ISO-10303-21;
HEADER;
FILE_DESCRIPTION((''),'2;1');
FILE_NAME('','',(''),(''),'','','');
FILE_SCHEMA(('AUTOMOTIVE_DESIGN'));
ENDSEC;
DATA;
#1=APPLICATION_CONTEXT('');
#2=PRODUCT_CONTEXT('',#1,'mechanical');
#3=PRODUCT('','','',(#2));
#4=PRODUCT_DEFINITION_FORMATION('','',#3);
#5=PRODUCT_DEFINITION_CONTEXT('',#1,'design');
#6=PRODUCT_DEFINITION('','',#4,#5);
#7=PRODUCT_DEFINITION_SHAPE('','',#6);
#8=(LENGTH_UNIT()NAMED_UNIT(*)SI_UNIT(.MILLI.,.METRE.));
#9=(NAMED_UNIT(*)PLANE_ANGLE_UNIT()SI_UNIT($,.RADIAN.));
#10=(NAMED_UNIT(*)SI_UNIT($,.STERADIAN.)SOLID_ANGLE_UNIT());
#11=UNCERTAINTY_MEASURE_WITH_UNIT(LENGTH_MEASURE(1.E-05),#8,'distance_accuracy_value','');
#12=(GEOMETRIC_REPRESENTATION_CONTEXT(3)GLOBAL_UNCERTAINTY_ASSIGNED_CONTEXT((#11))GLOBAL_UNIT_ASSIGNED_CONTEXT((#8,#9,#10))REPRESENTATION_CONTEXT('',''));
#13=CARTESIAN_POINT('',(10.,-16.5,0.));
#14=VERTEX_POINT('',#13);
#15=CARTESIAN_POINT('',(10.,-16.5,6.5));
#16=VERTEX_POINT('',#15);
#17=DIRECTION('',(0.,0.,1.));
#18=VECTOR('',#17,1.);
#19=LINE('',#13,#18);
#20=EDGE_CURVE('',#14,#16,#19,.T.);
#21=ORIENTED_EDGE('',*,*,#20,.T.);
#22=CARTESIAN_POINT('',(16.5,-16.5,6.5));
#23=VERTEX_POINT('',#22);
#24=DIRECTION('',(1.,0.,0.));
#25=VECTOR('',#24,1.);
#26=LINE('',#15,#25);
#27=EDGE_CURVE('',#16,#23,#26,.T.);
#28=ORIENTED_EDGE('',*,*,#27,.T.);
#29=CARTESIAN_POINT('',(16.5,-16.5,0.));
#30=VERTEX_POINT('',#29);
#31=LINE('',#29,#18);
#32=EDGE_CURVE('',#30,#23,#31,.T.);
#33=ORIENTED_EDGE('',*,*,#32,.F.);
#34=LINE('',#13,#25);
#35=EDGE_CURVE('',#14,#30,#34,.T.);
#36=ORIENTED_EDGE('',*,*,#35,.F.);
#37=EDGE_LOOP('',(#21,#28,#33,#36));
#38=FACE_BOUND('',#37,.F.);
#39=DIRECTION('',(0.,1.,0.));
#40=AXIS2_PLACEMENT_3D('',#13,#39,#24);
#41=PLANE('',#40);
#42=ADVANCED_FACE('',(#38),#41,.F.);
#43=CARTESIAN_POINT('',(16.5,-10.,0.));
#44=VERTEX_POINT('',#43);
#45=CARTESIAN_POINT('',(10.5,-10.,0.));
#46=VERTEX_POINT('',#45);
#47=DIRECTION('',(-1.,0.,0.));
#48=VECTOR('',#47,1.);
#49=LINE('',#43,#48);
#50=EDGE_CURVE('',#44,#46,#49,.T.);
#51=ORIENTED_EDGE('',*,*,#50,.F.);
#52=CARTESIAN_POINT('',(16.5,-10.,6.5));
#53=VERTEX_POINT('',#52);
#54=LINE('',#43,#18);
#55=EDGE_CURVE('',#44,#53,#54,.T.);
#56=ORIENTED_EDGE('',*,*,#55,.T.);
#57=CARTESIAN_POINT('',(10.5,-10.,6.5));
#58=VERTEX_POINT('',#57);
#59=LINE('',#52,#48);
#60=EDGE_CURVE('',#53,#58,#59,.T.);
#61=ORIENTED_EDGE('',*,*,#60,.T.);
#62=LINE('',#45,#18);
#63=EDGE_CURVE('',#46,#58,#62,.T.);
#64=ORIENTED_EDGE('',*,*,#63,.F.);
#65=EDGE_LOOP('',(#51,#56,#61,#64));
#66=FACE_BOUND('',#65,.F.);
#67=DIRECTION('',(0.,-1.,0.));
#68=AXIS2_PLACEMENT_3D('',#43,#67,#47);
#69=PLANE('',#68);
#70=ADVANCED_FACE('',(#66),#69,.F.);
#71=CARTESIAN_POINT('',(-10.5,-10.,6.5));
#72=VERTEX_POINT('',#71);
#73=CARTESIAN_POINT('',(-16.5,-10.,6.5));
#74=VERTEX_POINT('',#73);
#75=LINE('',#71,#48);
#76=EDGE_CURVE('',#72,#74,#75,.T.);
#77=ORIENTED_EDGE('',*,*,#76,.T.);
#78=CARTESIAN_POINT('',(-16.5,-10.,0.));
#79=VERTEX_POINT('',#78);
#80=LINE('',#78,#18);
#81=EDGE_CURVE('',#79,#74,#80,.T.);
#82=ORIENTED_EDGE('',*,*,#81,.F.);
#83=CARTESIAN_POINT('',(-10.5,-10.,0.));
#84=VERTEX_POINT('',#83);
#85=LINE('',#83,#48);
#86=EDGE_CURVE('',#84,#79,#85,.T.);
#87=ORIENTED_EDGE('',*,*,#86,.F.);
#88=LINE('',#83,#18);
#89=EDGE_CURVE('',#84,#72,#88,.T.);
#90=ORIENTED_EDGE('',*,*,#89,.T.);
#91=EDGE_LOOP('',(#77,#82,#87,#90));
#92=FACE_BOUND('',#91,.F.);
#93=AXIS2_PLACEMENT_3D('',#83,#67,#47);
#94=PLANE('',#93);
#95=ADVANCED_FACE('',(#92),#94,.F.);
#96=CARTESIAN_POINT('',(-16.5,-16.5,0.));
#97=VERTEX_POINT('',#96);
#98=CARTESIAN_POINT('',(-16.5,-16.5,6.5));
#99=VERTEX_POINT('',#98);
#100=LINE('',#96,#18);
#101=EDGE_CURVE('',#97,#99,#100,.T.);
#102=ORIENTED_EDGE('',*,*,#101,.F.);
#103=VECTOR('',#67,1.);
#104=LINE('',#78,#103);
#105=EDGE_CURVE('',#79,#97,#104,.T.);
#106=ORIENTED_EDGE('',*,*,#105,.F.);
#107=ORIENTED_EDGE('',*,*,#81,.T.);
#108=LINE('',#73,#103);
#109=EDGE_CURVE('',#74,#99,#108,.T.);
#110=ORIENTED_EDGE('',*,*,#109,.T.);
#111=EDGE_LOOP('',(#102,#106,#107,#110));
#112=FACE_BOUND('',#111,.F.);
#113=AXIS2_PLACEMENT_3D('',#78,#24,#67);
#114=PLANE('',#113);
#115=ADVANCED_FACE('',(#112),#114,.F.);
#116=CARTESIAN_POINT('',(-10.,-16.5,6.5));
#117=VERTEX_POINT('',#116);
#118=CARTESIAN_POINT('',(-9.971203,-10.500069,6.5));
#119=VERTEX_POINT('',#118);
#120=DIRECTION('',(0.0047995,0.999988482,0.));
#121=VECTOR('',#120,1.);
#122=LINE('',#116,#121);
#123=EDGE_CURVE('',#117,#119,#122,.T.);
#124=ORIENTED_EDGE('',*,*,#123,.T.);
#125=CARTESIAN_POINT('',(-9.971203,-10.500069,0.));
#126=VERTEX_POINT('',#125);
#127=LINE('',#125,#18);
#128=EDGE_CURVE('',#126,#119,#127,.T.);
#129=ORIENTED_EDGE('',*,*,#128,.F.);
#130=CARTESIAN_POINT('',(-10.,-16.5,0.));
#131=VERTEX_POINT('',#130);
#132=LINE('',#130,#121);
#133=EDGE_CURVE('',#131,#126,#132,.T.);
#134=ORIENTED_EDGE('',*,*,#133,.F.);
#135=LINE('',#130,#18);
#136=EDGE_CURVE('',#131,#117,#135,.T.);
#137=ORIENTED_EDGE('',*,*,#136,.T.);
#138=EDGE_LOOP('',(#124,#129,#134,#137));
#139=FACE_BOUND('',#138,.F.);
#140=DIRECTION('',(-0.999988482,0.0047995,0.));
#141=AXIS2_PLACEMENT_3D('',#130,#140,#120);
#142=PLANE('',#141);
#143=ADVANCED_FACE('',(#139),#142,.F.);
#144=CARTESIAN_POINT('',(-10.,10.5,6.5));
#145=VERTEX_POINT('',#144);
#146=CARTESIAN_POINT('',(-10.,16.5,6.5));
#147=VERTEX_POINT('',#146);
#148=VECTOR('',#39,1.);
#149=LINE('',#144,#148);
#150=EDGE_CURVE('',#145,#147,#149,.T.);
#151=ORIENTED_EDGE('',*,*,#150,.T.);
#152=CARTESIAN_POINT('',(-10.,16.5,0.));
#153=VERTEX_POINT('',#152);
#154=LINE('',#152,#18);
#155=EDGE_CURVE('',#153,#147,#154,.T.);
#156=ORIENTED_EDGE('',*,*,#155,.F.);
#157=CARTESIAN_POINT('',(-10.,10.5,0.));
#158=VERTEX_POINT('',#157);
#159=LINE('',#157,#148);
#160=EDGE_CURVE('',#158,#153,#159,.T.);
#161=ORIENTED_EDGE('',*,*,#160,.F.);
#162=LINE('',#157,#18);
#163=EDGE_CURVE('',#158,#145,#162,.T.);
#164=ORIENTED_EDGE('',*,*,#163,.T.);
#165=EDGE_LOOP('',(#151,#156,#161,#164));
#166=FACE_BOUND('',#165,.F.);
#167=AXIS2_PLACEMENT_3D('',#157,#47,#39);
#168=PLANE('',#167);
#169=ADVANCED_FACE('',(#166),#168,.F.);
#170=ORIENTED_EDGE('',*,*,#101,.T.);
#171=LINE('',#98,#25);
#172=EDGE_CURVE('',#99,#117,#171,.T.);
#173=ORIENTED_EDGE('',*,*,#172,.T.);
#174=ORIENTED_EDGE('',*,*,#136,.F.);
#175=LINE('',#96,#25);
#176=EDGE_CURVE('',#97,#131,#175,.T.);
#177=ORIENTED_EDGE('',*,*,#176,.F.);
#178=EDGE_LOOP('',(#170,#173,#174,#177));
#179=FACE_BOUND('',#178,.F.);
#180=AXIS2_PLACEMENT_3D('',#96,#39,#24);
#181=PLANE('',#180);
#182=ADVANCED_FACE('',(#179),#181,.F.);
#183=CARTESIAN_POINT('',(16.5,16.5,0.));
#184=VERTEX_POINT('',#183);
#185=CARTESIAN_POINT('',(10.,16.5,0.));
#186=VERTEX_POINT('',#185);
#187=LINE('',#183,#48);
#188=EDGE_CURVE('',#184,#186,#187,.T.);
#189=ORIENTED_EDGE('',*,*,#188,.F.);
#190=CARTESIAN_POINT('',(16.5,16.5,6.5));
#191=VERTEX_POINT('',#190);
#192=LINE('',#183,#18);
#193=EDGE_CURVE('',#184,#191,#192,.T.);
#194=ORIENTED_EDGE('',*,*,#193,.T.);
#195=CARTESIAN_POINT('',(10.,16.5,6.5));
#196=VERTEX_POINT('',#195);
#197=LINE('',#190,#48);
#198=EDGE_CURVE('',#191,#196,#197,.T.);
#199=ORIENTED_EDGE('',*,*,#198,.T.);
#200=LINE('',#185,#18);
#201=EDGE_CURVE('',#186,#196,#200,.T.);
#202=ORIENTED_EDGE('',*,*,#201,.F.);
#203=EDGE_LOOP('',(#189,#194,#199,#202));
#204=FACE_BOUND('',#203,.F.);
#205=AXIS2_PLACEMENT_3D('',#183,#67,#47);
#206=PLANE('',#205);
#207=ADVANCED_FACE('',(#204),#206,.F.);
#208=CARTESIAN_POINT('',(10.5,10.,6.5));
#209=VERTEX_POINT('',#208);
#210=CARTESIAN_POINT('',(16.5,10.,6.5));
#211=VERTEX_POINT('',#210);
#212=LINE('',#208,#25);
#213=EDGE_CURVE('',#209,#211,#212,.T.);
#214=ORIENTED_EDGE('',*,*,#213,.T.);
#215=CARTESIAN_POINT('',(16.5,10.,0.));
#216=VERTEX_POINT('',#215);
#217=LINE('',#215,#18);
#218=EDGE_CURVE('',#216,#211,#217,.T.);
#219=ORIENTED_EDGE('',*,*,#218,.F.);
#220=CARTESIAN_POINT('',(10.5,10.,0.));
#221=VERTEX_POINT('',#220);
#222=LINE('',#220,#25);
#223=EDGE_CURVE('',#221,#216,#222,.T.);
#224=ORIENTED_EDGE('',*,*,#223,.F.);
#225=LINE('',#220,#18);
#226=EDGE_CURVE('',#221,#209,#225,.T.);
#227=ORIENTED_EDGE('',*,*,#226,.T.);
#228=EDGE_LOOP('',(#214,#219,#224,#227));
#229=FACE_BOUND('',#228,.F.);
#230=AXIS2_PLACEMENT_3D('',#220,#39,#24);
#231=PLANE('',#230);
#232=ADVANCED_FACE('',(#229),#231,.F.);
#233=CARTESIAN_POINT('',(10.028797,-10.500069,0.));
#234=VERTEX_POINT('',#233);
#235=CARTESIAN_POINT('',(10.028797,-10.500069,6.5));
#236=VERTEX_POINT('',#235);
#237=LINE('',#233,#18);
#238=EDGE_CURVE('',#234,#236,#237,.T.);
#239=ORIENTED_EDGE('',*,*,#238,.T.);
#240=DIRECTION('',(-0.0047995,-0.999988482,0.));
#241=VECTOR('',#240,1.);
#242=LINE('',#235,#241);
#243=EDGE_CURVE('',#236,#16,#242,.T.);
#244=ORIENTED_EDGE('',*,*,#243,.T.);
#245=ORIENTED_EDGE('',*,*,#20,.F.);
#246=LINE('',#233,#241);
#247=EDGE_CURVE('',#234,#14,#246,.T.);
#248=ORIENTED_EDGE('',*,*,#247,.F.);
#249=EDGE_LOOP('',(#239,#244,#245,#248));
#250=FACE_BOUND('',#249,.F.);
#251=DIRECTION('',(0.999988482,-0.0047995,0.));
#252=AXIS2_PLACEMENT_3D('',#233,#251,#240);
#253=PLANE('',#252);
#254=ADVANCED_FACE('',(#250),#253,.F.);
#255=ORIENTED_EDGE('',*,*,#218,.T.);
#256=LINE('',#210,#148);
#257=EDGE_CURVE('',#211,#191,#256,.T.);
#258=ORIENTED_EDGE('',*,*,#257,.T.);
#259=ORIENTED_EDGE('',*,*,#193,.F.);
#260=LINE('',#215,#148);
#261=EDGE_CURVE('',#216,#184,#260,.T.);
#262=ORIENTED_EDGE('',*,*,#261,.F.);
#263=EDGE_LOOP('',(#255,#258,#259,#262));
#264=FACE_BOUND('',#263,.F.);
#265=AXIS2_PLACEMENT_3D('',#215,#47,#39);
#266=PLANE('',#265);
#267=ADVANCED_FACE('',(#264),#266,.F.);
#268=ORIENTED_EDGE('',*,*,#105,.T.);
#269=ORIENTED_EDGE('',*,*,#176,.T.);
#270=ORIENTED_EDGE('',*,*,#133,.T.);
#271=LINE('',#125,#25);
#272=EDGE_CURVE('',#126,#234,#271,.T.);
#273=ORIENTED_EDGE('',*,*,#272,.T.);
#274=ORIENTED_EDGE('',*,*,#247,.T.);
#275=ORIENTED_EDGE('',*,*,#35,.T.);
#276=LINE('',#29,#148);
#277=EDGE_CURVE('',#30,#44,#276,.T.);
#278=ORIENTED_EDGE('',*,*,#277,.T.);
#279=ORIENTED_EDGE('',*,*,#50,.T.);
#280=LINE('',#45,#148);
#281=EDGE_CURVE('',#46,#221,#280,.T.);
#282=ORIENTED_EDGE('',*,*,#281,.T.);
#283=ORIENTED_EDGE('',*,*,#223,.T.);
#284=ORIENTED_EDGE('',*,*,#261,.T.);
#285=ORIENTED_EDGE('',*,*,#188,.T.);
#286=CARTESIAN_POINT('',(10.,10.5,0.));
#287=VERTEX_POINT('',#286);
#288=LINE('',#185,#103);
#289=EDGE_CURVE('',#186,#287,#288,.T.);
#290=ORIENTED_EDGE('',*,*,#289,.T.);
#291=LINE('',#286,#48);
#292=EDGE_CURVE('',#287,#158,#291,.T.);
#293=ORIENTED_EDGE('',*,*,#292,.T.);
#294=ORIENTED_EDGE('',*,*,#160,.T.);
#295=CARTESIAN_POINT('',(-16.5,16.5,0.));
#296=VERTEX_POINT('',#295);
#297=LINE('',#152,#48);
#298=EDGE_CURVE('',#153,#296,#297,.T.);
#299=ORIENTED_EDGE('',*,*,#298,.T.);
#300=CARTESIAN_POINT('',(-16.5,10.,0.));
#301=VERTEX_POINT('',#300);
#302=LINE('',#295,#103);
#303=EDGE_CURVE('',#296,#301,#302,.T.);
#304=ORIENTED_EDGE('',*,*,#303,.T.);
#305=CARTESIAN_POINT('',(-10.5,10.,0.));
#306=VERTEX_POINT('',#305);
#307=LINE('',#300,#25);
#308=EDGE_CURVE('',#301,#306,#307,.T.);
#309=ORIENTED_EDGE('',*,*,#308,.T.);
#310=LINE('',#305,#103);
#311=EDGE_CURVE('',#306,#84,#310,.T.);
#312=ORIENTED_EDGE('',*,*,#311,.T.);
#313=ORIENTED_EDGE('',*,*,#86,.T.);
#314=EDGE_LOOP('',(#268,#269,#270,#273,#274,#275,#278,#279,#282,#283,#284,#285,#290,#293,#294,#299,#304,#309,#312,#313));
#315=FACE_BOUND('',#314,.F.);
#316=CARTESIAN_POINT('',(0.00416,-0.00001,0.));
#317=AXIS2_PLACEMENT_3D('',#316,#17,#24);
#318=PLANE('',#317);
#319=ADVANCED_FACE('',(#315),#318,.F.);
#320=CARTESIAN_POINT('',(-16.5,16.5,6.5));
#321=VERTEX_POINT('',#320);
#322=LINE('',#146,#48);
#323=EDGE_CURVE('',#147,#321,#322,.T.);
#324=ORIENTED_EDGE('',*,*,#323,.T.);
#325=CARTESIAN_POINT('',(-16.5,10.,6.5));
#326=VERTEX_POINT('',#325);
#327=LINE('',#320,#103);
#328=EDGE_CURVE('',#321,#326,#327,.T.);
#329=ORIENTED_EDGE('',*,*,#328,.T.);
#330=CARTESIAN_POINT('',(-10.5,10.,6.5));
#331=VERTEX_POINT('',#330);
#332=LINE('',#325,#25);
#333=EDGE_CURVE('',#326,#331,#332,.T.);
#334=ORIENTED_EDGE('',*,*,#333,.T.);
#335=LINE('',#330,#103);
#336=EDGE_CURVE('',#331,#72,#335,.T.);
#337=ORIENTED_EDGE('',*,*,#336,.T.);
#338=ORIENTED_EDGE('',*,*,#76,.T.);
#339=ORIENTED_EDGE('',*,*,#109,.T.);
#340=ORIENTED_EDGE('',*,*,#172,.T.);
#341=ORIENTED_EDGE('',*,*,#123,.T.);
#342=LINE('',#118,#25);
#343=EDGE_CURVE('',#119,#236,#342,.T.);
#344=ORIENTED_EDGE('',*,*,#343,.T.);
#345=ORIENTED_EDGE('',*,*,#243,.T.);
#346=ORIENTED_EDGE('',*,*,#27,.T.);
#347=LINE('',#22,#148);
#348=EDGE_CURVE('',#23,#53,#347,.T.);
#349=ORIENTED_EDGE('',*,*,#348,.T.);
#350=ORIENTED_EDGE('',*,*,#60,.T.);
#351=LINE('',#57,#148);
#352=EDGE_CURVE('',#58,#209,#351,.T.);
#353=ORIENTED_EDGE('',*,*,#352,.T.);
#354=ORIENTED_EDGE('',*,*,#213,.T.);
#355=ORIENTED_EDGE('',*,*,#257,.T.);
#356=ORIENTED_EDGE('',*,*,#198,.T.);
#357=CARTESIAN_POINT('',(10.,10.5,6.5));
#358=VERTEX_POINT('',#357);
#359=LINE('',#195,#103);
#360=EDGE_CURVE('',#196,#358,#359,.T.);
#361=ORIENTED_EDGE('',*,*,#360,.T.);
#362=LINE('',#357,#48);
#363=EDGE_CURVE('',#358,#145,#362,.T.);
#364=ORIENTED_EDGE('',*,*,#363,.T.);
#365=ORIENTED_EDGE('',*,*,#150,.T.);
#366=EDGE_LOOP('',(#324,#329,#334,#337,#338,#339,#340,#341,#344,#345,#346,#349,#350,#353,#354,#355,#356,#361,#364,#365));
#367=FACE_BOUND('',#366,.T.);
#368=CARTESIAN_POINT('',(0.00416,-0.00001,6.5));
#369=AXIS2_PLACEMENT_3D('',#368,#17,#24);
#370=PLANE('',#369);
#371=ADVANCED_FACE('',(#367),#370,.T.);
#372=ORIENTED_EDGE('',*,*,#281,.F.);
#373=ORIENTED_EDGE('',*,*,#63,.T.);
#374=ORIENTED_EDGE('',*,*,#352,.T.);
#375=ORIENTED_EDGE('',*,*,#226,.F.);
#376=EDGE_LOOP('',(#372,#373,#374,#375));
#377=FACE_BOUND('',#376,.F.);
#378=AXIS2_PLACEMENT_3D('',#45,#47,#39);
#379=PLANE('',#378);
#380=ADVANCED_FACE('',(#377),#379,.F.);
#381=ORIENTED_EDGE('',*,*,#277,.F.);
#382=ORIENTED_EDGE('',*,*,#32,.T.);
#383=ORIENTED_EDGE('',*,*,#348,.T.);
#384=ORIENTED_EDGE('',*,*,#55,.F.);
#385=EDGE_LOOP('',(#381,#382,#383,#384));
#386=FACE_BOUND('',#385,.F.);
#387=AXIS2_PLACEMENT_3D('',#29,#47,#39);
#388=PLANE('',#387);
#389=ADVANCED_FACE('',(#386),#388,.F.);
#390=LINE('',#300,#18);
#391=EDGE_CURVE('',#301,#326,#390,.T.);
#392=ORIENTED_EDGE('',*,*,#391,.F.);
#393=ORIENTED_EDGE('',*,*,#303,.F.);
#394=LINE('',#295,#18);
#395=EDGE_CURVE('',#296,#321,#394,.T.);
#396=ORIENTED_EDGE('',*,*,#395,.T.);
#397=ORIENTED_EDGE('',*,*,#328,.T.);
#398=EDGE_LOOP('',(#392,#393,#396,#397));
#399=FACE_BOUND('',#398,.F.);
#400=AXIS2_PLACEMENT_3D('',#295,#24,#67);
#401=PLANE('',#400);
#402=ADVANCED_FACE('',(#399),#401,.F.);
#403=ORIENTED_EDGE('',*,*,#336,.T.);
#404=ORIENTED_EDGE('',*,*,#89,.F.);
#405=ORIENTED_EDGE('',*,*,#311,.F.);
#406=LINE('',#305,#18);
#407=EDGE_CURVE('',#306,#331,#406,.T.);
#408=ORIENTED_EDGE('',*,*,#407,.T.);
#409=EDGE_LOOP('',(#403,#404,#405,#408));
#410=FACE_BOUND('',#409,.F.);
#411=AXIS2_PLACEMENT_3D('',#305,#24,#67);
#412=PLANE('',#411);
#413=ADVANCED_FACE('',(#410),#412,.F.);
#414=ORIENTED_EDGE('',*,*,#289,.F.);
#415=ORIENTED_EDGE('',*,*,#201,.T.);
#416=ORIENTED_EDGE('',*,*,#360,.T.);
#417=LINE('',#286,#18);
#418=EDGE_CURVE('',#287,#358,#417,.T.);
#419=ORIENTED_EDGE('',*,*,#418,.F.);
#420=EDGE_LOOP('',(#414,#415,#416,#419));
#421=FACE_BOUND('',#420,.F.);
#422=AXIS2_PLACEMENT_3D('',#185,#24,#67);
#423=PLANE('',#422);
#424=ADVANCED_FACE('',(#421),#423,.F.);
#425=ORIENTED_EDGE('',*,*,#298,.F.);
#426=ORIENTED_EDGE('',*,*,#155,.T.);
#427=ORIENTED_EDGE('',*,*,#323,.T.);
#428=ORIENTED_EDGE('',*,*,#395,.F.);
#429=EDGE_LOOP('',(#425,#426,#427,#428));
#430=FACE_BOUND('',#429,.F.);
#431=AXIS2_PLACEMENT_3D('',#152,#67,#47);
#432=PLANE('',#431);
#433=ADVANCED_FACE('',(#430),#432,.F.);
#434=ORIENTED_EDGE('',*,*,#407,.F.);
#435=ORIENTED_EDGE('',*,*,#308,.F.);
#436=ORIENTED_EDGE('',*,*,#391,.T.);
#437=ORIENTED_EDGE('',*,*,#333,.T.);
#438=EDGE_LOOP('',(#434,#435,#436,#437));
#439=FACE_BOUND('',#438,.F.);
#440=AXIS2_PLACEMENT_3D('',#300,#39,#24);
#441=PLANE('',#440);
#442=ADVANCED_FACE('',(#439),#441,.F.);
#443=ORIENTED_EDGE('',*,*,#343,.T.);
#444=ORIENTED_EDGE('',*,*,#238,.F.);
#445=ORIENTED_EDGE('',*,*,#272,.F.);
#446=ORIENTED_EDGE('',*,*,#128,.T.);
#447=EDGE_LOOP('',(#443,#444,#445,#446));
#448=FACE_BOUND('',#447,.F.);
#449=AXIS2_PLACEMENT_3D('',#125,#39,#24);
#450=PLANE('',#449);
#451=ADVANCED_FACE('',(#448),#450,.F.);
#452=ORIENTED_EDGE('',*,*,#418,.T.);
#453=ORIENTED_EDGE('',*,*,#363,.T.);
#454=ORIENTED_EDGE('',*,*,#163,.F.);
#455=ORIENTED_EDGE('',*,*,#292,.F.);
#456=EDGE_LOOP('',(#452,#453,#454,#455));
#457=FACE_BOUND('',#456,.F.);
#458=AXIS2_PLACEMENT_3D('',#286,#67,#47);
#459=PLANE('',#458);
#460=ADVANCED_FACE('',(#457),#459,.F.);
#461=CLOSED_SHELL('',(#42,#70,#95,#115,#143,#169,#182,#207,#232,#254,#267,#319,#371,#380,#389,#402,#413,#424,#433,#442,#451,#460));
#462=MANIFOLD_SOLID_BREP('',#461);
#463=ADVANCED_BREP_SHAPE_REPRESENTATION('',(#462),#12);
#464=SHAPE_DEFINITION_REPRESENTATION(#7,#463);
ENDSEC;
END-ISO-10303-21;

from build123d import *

# Parameters (mm, degrees)
F1_DEPTH = 6.5


with BuildPart() as f1:
    # F0 (on Top) → F1 (new body)
    with BuildSketch(Plane.XY):
        Polygon((-10, 16.5), (-16.5, 16.5), (-16.5, 10), (-10.5, 10), (-10.5, -10), (-16.5, -10), (-16.5, -16.5), (-10, -16.5), (-9.971203, -10.500069), (10.028797, -10.500069), (10, -16.5), (16.5, -16.5), (16.5, -10), (10.5, -10), (10.5, 10), (16.5, 10), (16.5, 16.5), (10, 16.5), (10, 10.5), (-10, 10.5), align=None)
    extrude(amount=F1_DEPTH)


solid = f1.part
